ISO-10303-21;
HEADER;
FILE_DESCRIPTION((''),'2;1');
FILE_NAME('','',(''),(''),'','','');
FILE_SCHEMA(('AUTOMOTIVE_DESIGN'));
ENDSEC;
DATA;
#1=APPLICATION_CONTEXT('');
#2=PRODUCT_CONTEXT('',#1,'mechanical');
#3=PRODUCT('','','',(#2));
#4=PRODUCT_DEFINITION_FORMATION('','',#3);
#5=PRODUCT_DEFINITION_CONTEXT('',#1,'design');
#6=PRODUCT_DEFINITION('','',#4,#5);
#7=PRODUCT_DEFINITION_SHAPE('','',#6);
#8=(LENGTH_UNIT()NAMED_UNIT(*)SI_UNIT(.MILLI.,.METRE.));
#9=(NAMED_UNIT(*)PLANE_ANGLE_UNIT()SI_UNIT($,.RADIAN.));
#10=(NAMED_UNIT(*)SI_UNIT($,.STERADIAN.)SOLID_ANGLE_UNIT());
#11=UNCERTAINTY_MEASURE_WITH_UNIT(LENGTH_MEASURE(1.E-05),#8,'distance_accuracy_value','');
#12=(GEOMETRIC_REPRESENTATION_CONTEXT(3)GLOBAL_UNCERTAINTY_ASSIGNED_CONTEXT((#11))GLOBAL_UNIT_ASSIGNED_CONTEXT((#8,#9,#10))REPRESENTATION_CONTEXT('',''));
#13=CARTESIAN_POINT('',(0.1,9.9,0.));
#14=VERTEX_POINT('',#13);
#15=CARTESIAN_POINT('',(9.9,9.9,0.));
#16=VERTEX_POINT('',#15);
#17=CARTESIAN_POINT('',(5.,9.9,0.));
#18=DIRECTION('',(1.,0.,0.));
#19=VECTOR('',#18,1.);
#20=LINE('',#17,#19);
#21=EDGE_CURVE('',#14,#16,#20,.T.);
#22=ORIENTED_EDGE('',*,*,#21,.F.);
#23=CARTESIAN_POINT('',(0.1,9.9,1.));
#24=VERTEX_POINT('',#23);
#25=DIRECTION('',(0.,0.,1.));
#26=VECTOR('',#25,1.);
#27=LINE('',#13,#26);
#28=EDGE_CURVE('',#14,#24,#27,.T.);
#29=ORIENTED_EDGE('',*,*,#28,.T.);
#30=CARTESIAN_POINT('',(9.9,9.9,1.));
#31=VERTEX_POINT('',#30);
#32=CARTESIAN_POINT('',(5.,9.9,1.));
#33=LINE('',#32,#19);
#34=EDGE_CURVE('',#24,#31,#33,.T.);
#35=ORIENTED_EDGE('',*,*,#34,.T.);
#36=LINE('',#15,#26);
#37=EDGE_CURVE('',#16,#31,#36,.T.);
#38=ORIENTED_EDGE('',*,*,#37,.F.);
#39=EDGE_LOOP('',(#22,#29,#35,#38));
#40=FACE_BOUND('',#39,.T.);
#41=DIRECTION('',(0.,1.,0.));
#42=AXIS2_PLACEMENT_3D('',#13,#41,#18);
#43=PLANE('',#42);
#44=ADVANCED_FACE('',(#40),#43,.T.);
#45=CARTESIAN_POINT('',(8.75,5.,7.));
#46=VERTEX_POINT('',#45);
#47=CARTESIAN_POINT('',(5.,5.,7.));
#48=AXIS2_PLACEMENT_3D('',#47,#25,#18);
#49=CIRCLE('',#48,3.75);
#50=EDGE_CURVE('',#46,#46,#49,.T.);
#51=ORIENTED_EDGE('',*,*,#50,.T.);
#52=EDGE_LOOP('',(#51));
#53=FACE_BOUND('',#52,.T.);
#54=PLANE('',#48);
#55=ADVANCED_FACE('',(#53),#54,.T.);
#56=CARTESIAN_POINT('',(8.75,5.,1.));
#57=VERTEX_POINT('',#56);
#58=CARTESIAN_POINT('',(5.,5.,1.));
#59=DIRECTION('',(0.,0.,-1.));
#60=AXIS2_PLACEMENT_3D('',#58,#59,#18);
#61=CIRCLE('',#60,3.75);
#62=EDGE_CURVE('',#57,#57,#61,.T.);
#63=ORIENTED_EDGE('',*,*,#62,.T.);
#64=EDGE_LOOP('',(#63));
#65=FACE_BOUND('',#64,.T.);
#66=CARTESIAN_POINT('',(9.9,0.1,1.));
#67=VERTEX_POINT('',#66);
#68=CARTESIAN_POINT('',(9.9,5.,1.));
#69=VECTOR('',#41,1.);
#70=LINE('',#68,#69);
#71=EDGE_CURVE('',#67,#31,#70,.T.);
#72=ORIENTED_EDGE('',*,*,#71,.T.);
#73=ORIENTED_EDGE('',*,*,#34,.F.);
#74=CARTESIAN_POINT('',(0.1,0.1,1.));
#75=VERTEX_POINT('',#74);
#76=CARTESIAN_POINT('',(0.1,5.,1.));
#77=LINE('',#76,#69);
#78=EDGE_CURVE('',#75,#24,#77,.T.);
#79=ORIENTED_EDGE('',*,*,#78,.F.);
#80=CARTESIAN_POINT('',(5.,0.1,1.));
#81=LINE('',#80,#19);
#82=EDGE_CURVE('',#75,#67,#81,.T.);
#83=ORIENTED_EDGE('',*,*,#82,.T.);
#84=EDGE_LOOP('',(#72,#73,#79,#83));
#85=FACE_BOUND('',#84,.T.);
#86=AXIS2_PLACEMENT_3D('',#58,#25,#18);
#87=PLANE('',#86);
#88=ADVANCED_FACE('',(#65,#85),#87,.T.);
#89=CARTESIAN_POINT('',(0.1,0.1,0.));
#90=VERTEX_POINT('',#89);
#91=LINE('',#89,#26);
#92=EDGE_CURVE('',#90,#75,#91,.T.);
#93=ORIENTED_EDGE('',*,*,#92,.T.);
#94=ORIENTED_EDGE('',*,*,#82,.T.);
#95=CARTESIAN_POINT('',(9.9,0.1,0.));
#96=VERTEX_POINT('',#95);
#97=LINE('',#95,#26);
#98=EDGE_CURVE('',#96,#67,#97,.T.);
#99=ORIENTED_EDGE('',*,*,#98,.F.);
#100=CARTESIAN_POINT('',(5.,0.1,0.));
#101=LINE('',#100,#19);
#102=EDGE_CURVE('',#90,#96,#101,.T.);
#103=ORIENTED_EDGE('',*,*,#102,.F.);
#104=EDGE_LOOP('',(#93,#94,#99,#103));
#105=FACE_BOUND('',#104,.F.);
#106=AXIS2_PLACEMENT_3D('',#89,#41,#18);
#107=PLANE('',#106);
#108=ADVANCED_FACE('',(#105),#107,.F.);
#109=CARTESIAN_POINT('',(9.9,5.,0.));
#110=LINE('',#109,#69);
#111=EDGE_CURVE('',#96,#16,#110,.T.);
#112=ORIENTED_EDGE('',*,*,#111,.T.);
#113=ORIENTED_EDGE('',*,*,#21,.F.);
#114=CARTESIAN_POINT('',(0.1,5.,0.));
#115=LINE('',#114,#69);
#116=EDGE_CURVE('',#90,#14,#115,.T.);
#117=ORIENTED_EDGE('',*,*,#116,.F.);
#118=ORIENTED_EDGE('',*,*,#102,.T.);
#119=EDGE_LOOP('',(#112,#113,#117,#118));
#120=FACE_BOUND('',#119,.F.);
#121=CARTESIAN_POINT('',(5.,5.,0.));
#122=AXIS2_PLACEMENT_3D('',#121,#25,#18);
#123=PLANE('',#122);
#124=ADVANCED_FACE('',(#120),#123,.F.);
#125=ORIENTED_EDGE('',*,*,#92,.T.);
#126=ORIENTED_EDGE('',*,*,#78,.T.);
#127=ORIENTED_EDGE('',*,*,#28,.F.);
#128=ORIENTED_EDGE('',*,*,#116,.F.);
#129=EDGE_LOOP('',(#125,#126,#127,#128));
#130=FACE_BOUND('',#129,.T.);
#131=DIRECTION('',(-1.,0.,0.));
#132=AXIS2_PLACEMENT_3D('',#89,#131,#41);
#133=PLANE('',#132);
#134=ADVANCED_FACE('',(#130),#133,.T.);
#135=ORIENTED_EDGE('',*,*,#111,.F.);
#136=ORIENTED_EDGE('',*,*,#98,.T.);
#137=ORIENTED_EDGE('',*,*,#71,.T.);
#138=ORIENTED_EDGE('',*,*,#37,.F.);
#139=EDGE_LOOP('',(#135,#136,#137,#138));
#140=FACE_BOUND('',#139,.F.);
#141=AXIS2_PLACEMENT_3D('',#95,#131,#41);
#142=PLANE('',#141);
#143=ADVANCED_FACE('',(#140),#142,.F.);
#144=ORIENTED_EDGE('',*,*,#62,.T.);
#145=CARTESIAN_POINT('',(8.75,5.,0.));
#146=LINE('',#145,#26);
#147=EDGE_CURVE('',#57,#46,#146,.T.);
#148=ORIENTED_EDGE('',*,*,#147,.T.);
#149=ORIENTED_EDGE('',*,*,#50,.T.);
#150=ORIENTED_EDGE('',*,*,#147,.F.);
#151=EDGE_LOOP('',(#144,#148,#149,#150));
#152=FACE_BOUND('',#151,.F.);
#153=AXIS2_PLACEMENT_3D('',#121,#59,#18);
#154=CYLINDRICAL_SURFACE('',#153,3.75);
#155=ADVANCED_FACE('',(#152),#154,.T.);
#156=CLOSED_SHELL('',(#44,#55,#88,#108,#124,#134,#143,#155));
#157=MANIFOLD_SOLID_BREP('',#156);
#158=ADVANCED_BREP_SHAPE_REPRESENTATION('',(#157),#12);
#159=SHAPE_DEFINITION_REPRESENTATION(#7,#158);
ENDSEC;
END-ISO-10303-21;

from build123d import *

# Parameters (mm, degrees)
CYLINDER_R     = 3.75
CYLINDER_DEPTH = 7
BOX_W          = 9.8
BOX_H          = 9.8
BOX_DEPTH      = 1


with BuildPart() as cilindro:
    # Cylinder → Cylinder (new body)
    with BuildSketch(Plane(origin=(5, 5, 0), x_dir=(1, 0, 0), z_dir=(0, 0, 1))):
        Circle(CYLINDER_R)
    extrude(amount=CYLINDER_DEPTH)


with BuildPart() as tapon_soporte:
    # Box → Box (new body)
    with BuildSketch(Plane(origin=(0.1, 0.1, 0), x_dir=(1, 0, 0), z_dir=(0, 0, 1))):
        with Locations((4.9, 4.9)):
            Rectangle(BOX_W, BOX_H)
    extrude(amount=BOX_DEPTH)

    # Fusion: union Cilindro
    add(cilindro.part)


solid = tapon_soporte.part
